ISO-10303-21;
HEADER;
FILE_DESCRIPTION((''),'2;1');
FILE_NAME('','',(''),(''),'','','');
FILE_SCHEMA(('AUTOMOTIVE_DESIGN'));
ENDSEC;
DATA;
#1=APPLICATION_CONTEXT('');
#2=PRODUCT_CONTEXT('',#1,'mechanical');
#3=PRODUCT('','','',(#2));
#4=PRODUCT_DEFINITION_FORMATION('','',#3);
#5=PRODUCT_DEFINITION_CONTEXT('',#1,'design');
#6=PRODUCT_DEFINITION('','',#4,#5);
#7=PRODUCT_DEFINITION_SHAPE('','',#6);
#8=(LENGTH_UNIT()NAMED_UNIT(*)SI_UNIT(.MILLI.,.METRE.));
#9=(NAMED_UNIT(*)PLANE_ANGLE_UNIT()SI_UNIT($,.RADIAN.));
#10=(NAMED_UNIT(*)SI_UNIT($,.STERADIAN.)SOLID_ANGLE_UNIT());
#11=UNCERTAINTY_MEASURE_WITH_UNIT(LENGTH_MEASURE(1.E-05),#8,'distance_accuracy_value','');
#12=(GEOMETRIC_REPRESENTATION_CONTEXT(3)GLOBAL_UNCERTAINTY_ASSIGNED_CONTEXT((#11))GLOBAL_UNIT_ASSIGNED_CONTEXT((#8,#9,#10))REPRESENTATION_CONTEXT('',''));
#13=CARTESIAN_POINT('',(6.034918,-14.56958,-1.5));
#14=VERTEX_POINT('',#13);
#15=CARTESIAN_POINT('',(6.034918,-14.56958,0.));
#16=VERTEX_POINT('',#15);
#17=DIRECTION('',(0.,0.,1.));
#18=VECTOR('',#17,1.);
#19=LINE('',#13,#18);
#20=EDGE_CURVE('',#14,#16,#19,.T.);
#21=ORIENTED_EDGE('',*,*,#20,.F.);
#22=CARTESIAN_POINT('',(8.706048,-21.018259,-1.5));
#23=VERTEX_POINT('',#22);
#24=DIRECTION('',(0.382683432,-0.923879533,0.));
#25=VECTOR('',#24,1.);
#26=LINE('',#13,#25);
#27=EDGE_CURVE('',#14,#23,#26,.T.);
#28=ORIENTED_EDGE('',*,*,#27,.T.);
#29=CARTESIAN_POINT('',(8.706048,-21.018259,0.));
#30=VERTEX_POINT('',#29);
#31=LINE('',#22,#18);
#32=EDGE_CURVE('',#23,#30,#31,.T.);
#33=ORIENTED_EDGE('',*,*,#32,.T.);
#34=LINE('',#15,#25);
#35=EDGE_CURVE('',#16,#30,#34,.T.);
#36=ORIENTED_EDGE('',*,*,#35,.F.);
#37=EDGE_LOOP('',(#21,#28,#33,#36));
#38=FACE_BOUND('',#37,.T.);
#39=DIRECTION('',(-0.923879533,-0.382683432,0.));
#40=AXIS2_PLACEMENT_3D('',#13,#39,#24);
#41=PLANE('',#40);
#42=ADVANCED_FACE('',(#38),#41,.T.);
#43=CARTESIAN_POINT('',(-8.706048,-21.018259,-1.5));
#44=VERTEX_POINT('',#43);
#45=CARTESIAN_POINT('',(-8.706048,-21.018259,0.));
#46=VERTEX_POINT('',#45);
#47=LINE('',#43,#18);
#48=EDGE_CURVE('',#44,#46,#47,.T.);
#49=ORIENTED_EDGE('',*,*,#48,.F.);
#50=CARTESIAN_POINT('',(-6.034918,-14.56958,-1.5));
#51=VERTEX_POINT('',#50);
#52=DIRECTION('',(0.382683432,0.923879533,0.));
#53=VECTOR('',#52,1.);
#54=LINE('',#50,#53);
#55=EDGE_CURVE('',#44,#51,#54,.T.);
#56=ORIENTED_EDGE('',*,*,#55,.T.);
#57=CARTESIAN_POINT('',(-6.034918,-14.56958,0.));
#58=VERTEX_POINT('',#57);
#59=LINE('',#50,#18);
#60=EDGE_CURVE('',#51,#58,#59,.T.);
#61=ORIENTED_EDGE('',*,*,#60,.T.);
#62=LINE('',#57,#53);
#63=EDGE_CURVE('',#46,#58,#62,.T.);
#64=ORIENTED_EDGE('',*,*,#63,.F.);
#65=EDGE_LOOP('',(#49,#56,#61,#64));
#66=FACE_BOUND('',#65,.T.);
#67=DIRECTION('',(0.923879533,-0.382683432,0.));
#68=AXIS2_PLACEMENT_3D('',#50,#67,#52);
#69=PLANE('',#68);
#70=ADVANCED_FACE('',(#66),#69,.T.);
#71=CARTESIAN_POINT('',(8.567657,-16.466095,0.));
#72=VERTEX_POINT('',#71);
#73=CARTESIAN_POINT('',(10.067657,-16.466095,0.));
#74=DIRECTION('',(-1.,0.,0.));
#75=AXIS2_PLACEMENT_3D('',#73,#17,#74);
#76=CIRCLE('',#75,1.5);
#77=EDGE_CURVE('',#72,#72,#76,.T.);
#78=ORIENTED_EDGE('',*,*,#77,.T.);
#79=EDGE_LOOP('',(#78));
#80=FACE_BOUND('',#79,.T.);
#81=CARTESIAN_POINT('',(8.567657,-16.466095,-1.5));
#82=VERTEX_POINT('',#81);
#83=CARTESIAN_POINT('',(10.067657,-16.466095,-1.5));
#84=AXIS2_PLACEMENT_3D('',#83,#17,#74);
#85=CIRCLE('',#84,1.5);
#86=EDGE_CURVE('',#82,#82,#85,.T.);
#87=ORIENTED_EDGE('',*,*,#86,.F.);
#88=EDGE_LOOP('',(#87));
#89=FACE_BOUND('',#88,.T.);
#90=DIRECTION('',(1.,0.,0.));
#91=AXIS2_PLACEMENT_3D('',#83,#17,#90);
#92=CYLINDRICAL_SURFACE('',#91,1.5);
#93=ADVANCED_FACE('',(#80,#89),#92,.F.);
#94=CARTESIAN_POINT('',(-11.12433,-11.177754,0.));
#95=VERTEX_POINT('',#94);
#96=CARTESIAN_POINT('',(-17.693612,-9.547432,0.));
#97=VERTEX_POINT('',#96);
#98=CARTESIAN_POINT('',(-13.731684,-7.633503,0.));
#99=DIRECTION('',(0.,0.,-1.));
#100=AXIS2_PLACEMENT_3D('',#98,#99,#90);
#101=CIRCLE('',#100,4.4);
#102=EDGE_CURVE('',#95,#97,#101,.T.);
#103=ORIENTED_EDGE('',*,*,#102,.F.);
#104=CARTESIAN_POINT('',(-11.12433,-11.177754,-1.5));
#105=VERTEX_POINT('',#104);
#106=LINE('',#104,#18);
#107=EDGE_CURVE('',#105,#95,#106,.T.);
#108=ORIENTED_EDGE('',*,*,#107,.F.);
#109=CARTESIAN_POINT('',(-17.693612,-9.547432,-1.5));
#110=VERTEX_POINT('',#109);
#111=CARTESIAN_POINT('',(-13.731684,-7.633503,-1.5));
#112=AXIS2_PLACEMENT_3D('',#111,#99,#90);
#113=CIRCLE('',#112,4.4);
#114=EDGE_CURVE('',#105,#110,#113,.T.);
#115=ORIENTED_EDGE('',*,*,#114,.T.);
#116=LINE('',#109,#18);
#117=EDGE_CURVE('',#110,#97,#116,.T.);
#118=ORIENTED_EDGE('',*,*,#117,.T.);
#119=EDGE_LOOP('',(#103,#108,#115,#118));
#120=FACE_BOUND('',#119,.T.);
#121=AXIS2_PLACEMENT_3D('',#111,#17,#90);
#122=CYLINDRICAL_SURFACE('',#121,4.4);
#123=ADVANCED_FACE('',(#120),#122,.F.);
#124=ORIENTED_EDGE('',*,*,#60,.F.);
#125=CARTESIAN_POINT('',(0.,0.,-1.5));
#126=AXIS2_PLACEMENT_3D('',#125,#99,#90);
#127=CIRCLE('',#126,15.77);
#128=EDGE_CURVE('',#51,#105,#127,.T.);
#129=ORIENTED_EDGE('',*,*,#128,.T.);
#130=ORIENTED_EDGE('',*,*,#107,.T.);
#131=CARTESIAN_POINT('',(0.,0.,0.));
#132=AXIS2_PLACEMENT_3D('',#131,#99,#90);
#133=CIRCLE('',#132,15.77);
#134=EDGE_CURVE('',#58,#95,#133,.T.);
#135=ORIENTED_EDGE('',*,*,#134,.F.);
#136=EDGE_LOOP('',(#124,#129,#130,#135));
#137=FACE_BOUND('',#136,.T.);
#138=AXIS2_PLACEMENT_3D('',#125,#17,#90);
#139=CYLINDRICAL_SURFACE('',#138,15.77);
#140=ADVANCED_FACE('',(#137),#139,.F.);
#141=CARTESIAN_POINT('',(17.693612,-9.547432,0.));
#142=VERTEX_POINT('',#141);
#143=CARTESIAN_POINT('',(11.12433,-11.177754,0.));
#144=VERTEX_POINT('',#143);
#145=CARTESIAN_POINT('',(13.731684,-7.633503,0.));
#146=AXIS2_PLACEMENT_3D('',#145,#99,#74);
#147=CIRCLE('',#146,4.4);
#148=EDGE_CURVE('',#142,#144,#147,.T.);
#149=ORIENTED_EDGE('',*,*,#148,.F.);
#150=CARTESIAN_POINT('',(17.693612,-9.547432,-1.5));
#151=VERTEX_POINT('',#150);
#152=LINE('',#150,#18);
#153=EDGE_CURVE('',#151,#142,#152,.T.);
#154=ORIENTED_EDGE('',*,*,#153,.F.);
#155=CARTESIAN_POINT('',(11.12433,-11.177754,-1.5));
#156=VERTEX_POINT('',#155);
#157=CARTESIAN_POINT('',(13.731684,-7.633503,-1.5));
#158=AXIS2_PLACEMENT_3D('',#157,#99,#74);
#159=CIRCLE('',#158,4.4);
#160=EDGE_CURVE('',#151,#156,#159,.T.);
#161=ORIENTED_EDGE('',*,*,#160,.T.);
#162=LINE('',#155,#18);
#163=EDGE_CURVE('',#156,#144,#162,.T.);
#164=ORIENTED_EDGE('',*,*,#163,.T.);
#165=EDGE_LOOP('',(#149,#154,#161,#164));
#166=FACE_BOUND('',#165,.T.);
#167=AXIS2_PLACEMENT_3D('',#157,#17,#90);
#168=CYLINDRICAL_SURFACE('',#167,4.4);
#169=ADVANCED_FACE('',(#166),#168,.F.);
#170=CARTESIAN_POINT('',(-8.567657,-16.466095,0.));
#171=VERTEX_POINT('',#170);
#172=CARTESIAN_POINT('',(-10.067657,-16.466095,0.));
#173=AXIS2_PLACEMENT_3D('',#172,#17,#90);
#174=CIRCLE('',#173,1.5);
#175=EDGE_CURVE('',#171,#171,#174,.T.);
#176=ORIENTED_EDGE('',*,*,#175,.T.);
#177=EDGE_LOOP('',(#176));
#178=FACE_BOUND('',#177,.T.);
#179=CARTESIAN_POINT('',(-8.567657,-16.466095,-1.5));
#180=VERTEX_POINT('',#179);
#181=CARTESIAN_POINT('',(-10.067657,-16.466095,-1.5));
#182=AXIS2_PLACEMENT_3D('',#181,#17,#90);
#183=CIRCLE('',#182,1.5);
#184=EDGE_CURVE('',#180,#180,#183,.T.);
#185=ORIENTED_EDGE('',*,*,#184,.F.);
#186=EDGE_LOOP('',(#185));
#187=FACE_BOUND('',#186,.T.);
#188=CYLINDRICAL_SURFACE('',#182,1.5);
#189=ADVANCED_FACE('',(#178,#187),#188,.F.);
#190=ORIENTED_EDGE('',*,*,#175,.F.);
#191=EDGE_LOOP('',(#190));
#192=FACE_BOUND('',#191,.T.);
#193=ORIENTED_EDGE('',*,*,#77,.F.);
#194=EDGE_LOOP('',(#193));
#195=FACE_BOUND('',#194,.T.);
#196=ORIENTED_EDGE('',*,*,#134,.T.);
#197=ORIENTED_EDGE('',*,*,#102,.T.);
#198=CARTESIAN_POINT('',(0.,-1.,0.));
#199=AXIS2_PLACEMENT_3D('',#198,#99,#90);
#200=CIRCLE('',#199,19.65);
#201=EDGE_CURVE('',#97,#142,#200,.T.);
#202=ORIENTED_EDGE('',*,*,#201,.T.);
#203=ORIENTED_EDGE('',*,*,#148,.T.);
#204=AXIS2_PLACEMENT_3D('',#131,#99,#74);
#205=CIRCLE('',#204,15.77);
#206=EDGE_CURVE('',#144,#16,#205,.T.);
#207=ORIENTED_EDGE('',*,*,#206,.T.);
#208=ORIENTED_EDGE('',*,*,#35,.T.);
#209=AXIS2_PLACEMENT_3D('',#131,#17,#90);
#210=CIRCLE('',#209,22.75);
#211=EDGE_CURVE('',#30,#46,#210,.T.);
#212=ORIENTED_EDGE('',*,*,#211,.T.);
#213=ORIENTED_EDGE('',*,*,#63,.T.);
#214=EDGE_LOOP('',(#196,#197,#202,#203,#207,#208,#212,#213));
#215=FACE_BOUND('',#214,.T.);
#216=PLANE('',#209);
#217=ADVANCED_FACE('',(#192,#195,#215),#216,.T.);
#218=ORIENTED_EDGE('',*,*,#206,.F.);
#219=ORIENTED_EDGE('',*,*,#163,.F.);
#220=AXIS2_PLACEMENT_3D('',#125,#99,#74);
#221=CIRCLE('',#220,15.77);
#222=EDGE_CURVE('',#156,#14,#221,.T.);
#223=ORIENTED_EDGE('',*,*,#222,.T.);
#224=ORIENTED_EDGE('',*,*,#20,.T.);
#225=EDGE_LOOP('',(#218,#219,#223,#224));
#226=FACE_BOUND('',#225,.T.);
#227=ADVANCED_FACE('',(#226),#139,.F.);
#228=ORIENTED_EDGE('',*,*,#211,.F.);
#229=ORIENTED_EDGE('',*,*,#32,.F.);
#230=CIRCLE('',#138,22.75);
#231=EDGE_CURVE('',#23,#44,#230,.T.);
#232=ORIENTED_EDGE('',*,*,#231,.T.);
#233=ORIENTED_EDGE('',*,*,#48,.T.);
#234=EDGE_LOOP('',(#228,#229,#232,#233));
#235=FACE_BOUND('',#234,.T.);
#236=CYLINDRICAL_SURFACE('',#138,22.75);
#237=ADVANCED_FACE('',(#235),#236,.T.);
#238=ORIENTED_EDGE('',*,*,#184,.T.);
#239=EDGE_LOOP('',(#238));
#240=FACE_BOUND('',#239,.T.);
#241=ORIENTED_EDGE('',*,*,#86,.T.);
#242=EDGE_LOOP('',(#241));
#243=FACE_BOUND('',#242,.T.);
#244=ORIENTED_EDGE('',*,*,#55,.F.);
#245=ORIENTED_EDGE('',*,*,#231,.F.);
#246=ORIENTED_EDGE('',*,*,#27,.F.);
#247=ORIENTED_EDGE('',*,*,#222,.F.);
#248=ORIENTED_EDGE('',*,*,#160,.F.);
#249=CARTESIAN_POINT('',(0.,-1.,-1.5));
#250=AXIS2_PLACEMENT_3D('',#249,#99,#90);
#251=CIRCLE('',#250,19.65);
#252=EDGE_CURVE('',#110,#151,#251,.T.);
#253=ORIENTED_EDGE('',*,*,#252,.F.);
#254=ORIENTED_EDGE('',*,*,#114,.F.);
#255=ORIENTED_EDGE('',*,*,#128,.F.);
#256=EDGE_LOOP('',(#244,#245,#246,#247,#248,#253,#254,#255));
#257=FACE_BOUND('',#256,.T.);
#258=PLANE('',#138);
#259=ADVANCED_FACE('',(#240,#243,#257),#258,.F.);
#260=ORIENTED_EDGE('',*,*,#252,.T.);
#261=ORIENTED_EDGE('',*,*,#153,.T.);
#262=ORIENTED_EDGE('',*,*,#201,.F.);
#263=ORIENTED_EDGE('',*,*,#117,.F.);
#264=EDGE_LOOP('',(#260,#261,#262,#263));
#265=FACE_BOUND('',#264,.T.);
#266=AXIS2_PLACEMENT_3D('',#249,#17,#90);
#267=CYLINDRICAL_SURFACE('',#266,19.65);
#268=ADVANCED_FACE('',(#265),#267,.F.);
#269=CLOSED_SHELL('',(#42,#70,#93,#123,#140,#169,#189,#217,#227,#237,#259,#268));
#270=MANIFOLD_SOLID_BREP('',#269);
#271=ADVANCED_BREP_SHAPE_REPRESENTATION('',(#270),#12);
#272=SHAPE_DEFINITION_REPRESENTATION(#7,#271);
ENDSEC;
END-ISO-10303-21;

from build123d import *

# Parameters (mm, degrees)
SKETCH1_R  = 1.5
BODY_DEPTH = 1.5


with BuildPart() as part:
    # Sketch1 → Body (new body)
    with BuildSketch(Plane.XY):
        with BuildLine():
            Line((-6.034917728, -14.569580228), (-8.706048086, -21.018259365))
            ThreePointArc((-8.706048086, -21.018259365), (0, 22.75), (8.706048086, -21.018259365))
            Line((8.706048086, -21.018259365), (6.034917728, -14.569580228))
            ThreePointArc((6.034917728, -14.569580228), (8.745631508, -13.122759981), (11.124330326, -11.177753567))
            ThreePointArc((11.124330326, -11.177753567), (14.791497368, -11.903959421), (17.693611897, -9.547432248))
            ThreePointArc((17.693611897, -9.547432248), (0, 18.65), (-17.693611897, -9.547432248))
            ThreePointArc((-17.693611897, -9.547432248), (-14.791497368, -11.903959421), (-11.124330326, -11.177753567))
            ThreePointArc((-11.124330326, -11.177753567), (-8.745631508, -13.122759981), (-6.034917728, -14.569580228))
        make_face()
        with Locations(Location((10.067656556, -16.46609521, 0), (0, 0, 180))):
            Circle(SKETCH1_R, mode=Mode.SUBTRACT)
        with Locations((-10.067656556, -16.46609521)):
            Circle(SKETCH1_R, mode=Mode.SUBTRACT)
    extrude(amount=-BODY_DEPTH)


solid = part.part
